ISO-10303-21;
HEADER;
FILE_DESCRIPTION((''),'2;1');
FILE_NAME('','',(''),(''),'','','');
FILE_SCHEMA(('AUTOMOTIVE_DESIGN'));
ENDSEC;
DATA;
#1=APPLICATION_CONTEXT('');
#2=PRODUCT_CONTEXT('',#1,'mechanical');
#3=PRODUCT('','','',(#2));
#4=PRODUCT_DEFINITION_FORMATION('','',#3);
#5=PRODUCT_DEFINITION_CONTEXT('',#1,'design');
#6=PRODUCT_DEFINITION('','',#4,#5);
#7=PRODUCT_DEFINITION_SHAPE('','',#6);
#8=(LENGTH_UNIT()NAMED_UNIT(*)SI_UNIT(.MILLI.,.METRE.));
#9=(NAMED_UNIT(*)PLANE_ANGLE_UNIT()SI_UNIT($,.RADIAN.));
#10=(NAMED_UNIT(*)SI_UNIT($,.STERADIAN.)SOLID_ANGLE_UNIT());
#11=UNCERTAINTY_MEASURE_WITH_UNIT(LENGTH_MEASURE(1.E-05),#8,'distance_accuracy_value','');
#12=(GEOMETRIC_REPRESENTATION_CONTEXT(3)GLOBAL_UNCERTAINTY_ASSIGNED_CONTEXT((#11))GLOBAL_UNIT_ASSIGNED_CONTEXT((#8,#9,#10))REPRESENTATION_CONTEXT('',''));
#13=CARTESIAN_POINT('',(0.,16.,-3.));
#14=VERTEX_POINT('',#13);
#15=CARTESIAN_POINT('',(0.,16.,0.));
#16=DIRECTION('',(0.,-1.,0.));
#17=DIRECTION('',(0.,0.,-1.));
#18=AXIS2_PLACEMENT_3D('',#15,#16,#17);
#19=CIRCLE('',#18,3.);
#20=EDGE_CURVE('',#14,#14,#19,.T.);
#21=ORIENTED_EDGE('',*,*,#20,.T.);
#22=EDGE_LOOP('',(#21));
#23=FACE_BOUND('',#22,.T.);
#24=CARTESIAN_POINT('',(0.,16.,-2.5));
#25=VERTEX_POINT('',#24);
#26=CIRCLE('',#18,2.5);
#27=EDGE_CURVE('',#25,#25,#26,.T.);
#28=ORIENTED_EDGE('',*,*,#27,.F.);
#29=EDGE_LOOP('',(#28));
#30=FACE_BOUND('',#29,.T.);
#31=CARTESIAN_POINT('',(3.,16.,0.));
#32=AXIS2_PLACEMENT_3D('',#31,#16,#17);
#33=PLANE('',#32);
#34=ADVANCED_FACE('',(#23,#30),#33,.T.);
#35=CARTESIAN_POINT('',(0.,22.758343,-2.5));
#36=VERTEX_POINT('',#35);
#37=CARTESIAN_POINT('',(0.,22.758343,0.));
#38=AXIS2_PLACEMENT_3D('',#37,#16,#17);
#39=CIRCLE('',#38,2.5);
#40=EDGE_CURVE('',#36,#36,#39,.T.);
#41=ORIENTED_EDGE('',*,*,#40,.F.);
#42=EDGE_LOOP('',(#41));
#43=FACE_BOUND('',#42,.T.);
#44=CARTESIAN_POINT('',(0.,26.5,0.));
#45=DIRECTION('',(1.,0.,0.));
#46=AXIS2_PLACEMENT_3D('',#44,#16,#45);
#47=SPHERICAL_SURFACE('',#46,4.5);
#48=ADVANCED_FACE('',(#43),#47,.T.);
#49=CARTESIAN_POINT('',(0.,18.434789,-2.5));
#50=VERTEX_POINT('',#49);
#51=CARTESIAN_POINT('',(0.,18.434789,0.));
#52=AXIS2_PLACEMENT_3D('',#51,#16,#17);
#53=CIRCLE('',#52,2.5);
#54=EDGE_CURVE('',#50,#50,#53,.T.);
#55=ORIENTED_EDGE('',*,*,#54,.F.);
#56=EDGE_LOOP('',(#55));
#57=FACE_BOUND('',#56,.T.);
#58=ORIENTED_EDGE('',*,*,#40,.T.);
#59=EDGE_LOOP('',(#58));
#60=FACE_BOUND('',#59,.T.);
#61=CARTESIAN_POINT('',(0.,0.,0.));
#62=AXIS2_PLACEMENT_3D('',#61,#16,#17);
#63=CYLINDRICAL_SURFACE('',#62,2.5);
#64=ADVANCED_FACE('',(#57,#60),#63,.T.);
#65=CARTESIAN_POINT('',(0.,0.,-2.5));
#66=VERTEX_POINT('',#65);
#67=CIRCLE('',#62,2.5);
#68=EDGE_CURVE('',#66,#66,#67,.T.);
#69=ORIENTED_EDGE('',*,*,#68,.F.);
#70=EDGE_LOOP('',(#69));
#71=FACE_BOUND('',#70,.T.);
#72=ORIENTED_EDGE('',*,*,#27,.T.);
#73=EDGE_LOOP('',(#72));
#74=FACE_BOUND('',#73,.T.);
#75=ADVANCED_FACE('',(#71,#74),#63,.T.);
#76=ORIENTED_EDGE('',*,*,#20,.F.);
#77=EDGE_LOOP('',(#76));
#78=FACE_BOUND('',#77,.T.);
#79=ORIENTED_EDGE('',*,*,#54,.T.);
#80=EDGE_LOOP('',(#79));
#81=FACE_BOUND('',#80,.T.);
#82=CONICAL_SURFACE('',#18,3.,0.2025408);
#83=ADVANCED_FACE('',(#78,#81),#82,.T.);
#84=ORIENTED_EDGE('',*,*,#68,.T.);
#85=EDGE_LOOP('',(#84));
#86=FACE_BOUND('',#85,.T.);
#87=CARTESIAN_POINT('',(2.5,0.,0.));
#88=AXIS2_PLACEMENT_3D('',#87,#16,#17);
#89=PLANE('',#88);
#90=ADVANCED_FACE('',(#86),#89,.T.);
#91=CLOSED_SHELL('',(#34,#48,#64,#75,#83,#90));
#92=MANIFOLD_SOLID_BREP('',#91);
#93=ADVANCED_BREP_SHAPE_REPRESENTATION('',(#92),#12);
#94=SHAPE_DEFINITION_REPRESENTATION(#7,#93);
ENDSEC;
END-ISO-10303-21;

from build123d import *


with BuildPart() as part:
    # 草图1 → 旋转3 (revolve)
    with BuildSketch(Plane.XY, mode=Mode.PRIVATE) as revolve_3_sk:
        with BuildLine():
            Line((2.5, 22.758342613), (2.5, 18.43478893))
            Line((2.5, 18.43478893), (3, 16))
            Line((3, 16), (2.5, 16))
            Line((2.5, 16), (2.5, 0))
            Line((2.5, 0), (0, 0))
            Line((0, 0), (0, 31))
            ThreePointArc((0, 31), (4.30624304, 27.80624304), (2.5, 22.758342613))
        make_face()
    revolve(revolve_3_sk.sketch.rotate(Axis((0, 0, 0), (0, 1, 0)), 90), axis=Axis((0, 0, 0), (0, 1, 0)))


solid = part.part
